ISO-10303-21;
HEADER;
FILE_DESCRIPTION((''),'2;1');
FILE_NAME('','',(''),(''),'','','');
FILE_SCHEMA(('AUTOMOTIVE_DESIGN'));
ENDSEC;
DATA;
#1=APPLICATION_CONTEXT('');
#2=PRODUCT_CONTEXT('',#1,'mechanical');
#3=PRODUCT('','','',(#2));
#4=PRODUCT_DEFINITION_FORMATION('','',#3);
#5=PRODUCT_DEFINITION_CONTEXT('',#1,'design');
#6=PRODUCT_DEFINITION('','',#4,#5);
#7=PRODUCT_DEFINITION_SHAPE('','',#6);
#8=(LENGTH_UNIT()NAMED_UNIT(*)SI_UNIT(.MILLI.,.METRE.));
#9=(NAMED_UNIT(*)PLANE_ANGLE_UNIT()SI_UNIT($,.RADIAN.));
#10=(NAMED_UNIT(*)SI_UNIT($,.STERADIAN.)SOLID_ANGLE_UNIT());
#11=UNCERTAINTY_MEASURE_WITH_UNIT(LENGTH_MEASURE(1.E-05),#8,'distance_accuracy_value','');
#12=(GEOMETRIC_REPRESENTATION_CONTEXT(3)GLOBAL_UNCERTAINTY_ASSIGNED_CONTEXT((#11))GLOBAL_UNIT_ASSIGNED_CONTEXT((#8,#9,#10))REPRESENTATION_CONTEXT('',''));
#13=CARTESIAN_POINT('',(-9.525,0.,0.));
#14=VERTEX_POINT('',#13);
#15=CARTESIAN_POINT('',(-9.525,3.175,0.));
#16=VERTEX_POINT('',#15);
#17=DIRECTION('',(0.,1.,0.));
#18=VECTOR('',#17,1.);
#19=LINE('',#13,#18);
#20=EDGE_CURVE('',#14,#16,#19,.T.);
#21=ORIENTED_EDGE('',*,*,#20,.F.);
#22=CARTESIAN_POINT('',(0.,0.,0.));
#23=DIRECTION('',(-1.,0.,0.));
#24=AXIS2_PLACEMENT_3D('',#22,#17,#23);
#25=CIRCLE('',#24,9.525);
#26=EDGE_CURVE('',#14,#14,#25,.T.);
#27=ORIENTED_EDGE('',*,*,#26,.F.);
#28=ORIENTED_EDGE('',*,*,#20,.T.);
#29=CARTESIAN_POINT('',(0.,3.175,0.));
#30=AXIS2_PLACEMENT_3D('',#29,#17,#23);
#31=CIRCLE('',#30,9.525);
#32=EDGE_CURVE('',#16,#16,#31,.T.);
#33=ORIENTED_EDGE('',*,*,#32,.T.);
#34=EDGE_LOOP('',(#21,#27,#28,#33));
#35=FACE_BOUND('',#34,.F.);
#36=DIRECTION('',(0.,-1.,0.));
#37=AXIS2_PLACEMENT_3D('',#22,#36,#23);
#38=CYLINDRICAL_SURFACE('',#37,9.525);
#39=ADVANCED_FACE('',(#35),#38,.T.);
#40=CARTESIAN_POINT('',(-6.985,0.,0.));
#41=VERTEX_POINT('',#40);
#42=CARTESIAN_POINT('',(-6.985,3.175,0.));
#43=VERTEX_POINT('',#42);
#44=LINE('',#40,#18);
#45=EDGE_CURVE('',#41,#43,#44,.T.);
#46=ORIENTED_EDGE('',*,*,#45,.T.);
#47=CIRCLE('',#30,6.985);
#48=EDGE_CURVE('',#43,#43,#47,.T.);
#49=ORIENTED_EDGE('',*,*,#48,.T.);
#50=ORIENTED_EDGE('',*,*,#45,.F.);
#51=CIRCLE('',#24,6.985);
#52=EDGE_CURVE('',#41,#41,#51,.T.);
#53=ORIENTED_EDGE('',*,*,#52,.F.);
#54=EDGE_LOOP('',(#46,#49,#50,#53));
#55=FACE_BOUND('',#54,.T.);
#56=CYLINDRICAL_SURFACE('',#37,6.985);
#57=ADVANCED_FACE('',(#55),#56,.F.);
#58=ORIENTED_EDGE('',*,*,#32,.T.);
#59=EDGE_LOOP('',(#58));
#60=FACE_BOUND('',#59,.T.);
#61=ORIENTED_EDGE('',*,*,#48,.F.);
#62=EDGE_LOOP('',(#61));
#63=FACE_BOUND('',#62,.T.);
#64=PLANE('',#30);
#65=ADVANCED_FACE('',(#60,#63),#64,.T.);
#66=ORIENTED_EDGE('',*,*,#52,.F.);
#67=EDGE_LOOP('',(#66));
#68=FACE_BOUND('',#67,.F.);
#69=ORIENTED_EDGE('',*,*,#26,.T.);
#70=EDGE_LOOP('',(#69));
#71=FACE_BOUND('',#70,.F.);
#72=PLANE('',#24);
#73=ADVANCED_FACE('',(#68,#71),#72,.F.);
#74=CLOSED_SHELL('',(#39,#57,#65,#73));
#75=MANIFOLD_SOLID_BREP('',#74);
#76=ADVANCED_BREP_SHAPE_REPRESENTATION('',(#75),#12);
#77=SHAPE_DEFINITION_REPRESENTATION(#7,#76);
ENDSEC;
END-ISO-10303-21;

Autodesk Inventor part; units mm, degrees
ref_plane "YZ Plane" through (0, 0, 0) normal (1, 0, 0) x (0, 1, 0)
ref_plane "XZ Plane" through (0, 0, 0) normal (0, 1, 0) x (-1, 0, 0)
ref_plane "XY Plane" through (0, 0, 0) normal (0, 0, 1) x (1, 0, 0)
sketch "Sketch1" plane through (0, 0, 0) normal (0, 1, 0) x (-1, 0, 0)
  circle A0 centre (0, 0) radius 9.525
  circle A1 centre (0, 0) radius 6.985
  dimension "d0" = 19.05
  dimension "d1" = 13.97
extrude "Extrusion1" add sketch "Sketch1" along normal blind 3.175
properties part number "grapple-spacer-thin" material "ABS Plastic"
